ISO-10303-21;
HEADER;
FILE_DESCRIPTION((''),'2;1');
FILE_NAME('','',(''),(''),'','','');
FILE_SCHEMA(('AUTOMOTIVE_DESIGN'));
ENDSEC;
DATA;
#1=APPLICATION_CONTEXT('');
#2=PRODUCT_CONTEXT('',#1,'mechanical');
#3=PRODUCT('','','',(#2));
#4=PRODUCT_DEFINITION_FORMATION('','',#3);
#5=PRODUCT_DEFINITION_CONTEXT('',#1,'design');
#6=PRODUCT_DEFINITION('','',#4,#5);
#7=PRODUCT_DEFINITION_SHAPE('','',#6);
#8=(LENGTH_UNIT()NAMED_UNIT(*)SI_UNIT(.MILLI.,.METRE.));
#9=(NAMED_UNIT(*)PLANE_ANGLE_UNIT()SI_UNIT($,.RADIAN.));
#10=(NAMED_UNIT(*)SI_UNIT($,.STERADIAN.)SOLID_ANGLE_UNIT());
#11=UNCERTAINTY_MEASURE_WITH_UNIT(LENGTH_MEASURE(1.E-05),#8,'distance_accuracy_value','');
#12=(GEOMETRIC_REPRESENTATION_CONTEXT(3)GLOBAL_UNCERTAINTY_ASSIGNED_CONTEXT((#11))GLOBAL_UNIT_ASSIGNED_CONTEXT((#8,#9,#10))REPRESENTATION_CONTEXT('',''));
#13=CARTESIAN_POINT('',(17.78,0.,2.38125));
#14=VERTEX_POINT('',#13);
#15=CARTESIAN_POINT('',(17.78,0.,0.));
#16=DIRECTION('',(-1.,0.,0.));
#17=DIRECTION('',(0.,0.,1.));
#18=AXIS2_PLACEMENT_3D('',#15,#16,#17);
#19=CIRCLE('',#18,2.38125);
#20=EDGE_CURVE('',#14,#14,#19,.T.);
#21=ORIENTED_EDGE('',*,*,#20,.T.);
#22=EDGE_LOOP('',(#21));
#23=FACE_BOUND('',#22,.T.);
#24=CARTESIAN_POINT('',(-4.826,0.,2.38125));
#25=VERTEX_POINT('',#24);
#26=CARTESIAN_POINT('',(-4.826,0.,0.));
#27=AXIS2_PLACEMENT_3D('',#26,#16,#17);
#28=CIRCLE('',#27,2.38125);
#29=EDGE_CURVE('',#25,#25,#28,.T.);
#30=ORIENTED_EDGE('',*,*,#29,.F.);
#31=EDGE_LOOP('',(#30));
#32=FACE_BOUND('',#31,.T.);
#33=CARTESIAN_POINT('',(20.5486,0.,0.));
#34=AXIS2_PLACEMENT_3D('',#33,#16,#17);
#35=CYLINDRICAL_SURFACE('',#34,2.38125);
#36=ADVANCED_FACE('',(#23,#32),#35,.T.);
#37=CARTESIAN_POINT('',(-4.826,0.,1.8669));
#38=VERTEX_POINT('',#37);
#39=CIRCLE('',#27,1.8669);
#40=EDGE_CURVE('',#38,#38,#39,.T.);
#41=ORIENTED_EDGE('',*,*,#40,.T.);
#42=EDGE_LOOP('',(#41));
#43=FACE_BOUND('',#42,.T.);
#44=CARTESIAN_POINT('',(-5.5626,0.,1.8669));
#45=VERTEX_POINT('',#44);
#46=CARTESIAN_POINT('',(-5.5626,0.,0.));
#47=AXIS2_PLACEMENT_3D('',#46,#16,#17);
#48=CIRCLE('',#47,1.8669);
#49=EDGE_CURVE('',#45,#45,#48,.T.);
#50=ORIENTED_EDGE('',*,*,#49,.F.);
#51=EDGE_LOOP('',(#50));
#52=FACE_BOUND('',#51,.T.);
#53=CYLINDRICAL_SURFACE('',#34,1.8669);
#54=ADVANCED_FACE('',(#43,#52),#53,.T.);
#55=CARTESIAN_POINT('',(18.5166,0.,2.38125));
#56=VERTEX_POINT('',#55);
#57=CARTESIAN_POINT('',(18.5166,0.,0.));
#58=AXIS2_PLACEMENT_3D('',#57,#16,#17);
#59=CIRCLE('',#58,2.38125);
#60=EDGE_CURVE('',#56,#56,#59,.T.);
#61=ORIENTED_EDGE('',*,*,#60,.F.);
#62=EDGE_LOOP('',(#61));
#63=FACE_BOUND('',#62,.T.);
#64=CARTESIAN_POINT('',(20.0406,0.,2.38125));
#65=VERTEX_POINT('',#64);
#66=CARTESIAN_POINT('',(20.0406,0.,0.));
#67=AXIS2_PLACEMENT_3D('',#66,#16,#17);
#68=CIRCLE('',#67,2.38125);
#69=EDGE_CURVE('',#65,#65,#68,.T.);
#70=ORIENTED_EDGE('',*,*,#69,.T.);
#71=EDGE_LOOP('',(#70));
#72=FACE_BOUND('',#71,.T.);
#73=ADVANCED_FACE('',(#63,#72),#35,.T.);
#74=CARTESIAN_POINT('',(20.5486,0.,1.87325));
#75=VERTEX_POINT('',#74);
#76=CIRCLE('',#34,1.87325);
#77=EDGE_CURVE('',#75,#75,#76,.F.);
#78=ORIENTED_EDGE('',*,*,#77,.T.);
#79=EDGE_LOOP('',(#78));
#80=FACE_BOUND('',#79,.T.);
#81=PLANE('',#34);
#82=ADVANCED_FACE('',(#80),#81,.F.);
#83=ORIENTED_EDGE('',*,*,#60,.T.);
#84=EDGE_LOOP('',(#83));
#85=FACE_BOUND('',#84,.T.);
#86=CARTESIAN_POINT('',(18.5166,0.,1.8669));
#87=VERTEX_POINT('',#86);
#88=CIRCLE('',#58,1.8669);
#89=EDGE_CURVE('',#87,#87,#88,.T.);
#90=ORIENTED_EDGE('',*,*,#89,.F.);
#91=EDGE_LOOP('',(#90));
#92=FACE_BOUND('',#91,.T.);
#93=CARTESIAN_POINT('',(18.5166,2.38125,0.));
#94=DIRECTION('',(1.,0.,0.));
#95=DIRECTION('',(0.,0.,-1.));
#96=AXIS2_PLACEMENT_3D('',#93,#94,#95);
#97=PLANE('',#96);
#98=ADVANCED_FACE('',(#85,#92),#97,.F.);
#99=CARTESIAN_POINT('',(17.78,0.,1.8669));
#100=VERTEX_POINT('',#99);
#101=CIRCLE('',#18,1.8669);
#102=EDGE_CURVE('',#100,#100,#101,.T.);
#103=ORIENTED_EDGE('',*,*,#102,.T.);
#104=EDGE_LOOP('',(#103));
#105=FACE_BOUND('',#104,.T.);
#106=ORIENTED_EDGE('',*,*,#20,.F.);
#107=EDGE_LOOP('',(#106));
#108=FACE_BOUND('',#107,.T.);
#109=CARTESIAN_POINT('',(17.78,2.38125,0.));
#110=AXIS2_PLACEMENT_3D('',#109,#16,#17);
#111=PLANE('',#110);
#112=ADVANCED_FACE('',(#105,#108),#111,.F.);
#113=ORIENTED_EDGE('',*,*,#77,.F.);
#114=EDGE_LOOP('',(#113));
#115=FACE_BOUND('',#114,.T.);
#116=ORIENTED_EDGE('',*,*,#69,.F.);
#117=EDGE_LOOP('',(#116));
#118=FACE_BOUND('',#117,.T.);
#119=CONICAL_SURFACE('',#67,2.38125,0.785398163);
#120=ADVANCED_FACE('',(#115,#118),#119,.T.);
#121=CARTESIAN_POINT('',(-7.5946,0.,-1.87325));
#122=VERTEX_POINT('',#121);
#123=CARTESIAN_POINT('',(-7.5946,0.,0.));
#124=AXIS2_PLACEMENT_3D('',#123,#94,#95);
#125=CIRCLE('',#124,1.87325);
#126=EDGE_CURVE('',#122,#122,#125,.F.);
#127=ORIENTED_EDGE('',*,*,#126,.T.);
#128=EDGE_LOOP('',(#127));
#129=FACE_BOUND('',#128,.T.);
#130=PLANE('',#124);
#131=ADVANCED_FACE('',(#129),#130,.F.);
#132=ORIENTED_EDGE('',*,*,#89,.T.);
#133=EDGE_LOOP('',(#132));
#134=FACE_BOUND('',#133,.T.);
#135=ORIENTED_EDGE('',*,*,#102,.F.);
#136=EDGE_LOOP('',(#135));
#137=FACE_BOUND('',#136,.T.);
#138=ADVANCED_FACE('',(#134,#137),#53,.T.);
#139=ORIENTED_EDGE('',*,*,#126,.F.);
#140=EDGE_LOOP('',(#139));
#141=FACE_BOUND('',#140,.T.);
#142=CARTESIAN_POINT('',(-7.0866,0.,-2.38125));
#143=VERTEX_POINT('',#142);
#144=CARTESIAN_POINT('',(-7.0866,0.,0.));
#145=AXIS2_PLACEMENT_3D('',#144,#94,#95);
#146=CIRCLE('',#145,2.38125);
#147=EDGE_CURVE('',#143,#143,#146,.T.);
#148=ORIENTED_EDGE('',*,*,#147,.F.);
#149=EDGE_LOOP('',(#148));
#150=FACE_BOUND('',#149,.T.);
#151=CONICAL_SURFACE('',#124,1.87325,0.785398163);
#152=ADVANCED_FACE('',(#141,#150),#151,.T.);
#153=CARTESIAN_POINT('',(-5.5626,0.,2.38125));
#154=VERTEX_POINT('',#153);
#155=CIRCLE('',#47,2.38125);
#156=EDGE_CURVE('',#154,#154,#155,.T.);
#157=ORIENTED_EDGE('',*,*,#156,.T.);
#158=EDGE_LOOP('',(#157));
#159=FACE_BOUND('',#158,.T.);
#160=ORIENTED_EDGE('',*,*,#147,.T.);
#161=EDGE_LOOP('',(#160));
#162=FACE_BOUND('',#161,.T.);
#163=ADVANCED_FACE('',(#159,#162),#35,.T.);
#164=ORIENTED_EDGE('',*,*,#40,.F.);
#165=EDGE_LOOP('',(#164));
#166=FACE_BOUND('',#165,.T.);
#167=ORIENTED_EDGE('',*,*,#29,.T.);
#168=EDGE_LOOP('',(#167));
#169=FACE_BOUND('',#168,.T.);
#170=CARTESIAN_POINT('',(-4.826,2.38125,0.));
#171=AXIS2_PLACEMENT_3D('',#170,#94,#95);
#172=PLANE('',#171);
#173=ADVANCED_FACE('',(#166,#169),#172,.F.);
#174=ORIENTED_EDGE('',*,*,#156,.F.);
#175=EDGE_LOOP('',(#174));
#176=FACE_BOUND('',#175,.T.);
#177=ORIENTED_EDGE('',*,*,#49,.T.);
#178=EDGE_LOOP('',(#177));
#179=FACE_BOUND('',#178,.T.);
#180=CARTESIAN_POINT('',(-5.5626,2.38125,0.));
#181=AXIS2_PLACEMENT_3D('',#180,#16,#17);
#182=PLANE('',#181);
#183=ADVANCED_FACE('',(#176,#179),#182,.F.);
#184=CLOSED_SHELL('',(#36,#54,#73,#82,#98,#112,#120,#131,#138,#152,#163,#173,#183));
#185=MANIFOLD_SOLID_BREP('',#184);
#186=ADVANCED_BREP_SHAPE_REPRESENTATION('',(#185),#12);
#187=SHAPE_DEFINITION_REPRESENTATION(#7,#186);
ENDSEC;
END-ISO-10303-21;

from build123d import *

# Parameters (mm, degrees)
CHAMFER1_SIZE = 0.508


with BuildPart() as part:
    # Sketch1 → Revolve1 (revolve)
    with BuildSketch(Plane.XY):
        Polygon((-7.5946, 0), (20.5486, 0), (20.5486, 2.38125), (18.5166, 2.38125), (18.5166, 1.8669), (17.78, 1.8669), (17.78, 2.38125), (-4.826, 2.38125), (-4.826, 1.8669), (-5.5626, 1.8669), (-5.5626, 2.38125), (-7.5946, 2.38125), align=None)
    revolve(axis=Axis((20.5486, 0, 0), (1, 0, 0)))

    # Chamfer1
    chamfer1_edges = [part.edges().sort_by_distance(p)[0] for p in [
        (-7.5946, -2.38125, 0),
        (20.5486, -2.38125, 0),
    ]]
    chamfer(chamfer1_edges, length=CHAMFER1_SIZE)


solid = part.part
